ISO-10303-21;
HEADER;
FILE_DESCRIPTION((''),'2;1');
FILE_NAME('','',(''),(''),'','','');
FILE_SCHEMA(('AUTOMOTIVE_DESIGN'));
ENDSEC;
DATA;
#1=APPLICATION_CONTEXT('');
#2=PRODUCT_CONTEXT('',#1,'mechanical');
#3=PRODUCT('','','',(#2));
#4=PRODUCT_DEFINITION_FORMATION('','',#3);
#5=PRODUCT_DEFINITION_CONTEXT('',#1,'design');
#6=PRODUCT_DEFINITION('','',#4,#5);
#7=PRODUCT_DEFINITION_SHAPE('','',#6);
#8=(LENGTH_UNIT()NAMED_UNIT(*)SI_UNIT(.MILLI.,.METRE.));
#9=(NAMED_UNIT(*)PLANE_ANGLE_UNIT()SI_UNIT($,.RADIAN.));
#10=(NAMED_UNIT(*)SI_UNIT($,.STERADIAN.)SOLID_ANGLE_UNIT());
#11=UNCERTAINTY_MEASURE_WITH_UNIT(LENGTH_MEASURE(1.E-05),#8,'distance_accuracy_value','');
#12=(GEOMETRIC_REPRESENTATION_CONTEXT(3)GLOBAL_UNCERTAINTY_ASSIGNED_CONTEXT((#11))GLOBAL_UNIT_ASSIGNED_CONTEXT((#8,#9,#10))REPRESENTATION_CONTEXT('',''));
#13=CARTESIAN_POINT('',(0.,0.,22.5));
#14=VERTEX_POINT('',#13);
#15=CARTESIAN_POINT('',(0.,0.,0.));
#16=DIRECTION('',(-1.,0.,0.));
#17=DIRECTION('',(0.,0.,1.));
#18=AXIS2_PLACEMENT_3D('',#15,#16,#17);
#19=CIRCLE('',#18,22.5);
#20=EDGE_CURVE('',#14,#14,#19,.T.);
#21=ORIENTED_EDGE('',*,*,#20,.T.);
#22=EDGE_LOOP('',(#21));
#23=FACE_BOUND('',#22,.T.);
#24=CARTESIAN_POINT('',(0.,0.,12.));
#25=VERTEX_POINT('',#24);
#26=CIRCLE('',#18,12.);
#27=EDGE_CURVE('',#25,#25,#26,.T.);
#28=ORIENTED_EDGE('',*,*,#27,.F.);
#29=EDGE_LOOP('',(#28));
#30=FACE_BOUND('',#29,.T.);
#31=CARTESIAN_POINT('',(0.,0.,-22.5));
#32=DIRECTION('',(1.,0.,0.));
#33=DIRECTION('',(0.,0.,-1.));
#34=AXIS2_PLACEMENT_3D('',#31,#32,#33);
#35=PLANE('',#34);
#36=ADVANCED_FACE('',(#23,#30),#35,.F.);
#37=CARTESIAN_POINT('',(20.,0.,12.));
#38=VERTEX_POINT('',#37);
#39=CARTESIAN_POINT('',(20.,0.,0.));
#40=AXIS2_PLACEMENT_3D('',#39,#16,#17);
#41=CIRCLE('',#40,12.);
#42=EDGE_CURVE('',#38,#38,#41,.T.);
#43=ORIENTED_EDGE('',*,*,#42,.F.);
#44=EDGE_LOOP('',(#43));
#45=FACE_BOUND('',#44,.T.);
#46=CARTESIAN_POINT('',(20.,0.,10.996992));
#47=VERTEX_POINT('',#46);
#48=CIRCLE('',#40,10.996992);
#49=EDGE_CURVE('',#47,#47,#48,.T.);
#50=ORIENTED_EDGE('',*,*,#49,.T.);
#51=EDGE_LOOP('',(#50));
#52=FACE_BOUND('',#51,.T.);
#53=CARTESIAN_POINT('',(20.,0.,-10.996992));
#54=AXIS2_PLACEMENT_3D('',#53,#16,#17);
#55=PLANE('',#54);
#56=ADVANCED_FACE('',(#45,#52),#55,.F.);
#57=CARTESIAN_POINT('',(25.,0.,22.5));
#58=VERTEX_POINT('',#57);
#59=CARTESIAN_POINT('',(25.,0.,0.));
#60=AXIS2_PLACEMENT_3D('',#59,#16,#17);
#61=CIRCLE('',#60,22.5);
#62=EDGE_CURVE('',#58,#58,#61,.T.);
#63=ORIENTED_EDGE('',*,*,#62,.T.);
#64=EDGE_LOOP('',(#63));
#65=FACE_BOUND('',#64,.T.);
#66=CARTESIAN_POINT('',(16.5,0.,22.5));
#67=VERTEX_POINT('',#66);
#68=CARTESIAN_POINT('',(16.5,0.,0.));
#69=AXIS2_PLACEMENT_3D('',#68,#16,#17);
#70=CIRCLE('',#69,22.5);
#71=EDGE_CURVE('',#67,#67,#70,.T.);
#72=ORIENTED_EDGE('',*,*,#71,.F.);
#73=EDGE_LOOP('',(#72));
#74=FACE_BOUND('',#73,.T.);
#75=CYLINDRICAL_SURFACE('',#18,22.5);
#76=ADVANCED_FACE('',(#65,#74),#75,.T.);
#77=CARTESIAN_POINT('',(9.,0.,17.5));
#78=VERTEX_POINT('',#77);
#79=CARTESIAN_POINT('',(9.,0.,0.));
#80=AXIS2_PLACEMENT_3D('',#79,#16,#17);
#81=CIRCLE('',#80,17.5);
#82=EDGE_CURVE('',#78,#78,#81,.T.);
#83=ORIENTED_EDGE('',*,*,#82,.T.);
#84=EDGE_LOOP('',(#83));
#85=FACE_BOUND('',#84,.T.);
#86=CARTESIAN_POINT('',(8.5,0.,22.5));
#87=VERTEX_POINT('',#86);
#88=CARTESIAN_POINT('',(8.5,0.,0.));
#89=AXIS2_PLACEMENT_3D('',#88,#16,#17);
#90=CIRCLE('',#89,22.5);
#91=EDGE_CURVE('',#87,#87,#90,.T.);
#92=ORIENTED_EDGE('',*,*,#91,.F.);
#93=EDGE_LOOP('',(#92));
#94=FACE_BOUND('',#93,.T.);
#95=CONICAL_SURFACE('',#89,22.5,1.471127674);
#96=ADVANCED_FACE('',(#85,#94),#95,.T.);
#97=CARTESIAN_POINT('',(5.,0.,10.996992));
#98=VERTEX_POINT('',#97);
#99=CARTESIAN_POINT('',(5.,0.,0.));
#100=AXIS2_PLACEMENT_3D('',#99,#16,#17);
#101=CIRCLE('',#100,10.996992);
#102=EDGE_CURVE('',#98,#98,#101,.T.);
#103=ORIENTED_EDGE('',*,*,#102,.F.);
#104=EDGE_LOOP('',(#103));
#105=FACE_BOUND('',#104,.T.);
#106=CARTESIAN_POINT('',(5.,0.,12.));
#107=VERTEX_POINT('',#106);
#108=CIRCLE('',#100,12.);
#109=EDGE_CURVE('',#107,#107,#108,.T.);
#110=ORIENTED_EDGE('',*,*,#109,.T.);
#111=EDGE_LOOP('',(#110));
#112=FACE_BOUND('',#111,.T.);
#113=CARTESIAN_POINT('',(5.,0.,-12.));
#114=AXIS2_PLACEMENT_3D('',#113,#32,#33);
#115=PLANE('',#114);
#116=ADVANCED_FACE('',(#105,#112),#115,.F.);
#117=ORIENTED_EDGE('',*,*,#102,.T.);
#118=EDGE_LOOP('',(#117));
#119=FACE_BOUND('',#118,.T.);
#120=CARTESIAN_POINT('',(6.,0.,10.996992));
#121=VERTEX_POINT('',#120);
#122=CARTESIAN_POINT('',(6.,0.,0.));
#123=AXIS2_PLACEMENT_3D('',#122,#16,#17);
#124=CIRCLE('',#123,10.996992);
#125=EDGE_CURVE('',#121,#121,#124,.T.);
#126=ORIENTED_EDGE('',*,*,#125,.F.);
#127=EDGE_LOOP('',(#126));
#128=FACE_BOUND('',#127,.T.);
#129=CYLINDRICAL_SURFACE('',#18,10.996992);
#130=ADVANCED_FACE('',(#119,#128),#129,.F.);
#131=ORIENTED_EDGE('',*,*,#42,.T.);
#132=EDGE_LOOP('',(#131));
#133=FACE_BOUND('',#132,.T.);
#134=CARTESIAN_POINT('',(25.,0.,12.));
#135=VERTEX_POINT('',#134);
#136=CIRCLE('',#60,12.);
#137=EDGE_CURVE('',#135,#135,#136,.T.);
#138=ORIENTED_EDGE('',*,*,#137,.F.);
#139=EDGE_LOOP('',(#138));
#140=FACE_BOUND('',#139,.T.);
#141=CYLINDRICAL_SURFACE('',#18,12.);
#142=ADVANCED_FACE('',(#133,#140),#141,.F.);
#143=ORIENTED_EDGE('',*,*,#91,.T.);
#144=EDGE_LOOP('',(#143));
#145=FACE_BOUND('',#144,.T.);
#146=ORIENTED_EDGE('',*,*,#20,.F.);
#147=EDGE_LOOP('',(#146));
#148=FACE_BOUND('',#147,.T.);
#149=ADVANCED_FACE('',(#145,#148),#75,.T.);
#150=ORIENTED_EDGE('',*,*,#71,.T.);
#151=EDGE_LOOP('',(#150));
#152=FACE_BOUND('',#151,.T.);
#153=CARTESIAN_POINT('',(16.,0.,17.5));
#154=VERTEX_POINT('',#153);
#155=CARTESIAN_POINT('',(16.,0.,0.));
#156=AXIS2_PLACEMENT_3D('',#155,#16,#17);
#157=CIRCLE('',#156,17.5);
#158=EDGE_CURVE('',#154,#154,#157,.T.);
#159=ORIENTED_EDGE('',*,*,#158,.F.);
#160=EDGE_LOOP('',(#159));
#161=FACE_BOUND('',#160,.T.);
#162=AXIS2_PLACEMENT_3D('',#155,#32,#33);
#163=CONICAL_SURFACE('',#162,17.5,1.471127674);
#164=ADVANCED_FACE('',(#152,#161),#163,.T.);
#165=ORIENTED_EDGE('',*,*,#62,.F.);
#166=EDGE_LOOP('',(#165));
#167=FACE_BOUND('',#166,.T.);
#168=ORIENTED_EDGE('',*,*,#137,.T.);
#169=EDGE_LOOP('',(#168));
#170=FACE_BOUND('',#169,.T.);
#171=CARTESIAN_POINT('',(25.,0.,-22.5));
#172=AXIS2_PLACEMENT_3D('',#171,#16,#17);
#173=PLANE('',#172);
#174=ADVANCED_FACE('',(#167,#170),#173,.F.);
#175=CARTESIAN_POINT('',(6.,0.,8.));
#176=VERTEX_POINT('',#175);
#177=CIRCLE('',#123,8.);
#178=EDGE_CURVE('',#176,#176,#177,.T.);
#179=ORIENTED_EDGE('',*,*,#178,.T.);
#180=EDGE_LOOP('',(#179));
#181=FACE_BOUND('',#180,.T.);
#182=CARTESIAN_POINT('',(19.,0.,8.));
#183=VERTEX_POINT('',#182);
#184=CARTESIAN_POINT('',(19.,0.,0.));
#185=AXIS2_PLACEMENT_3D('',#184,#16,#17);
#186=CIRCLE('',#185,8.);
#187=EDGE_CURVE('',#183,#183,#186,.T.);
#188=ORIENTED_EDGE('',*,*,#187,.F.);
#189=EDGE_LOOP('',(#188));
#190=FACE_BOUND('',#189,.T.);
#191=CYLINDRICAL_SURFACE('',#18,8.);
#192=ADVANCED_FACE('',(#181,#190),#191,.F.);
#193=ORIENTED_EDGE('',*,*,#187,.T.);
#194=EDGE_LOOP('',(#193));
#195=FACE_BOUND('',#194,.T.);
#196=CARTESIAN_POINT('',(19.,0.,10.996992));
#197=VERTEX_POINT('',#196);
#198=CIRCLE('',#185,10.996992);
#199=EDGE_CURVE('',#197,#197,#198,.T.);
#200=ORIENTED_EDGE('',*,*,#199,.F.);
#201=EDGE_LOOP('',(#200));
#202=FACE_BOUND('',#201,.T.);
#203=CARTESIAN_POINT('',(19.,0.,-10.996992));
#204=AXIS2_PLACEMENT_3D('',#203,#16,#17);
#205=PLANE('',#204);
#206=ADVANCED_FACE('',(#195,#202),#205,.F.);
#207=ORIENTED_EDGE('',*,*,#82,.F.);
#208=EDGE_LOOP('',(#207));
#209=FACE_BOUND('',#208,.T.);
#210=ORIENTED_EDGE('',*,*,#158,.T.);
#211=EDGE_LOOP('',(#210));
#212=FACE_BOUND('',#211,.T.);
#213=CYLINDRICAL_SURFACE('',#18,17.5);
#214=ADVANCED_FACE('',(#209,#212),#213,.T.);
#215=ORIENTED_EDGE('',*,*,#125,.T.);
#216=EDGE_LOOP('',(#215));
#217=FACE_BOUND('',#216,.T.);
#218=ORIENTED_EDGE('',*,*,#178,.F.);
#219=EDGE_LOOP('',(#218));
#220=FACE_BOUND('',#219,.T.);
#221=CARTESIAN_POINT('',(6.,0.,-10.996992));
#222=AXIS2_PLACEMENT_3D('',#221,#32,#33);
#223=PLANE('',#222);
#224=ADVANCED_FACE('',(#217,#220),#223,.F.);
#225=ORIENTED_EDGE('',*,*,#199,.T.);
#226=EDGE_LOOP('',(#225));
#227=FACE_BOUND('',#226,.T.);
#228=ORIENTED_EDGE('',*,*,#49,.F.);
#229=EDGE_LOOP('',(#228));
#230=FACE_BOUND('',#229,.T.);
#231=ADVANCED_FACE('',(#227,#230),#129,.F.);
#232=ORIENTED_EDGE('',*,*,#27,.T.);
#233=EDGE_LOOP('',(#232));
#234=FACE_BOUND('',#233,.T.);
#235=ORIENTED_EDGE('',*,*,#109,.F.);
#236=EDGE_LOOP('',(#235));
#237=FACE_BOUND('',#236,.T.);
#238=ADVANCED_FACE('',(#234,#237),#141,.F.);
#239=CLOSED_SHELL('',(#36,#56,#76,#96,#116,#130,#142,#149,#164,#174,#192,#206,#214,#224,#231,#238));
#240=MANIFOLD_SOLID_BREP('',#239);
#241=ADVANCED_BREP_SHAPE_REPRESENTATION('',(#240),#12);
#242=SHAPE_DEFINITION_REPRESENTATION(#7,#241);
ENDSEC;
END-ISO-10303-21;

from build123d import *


with BuildPart() as part:
    # Sketch1 → Revolve1 (revolve)
    with BuildSketch(Plane(origin=(0, 0, 0), x_dir=(1, 0, 0), z_dir=(0, 1, 0)), mode=Mode.PRIVATE) as revolve1_sk:
        Polygon((0, 22.5), (25, 22.5), (25, 12), (20, 12), (20, 10.996991643), (19, 10.996991643), (19, 8), (6, 8), (6, 10.996991643), (5, 10.996991643), (5, 12), (0, 12), align=None)
    revolve(revolve1_sk.sketch.rotate(Axis((0, 0, 0), (1, 0, 0)), 180), axis=Axis((0, 0, 0), (1, 0, 0)))

    # Sketch4 → Cut-Revolve1 (revolve, cut)
    with BuildSketch(Plane(origin=(0, 0, 0), x_dir=(1, 0, 0), z_dir=(0, 1, 0)), mode=Mode.PRIVATE) as cut_revolve1_sk:
        Polygon((8.5, 22.5), (9, 17.5), (16, 17.5), (16.5, 22.5), align=None)
    revolve(cut_revolve1_sk.sketch.rotate(Axis((0, 0, 0), (1, 0, 0)), 180), axis=Axis((0, 0, 0), (1, 0, 0)), mode=Mode.SUBTRACT)


solid = part.part
